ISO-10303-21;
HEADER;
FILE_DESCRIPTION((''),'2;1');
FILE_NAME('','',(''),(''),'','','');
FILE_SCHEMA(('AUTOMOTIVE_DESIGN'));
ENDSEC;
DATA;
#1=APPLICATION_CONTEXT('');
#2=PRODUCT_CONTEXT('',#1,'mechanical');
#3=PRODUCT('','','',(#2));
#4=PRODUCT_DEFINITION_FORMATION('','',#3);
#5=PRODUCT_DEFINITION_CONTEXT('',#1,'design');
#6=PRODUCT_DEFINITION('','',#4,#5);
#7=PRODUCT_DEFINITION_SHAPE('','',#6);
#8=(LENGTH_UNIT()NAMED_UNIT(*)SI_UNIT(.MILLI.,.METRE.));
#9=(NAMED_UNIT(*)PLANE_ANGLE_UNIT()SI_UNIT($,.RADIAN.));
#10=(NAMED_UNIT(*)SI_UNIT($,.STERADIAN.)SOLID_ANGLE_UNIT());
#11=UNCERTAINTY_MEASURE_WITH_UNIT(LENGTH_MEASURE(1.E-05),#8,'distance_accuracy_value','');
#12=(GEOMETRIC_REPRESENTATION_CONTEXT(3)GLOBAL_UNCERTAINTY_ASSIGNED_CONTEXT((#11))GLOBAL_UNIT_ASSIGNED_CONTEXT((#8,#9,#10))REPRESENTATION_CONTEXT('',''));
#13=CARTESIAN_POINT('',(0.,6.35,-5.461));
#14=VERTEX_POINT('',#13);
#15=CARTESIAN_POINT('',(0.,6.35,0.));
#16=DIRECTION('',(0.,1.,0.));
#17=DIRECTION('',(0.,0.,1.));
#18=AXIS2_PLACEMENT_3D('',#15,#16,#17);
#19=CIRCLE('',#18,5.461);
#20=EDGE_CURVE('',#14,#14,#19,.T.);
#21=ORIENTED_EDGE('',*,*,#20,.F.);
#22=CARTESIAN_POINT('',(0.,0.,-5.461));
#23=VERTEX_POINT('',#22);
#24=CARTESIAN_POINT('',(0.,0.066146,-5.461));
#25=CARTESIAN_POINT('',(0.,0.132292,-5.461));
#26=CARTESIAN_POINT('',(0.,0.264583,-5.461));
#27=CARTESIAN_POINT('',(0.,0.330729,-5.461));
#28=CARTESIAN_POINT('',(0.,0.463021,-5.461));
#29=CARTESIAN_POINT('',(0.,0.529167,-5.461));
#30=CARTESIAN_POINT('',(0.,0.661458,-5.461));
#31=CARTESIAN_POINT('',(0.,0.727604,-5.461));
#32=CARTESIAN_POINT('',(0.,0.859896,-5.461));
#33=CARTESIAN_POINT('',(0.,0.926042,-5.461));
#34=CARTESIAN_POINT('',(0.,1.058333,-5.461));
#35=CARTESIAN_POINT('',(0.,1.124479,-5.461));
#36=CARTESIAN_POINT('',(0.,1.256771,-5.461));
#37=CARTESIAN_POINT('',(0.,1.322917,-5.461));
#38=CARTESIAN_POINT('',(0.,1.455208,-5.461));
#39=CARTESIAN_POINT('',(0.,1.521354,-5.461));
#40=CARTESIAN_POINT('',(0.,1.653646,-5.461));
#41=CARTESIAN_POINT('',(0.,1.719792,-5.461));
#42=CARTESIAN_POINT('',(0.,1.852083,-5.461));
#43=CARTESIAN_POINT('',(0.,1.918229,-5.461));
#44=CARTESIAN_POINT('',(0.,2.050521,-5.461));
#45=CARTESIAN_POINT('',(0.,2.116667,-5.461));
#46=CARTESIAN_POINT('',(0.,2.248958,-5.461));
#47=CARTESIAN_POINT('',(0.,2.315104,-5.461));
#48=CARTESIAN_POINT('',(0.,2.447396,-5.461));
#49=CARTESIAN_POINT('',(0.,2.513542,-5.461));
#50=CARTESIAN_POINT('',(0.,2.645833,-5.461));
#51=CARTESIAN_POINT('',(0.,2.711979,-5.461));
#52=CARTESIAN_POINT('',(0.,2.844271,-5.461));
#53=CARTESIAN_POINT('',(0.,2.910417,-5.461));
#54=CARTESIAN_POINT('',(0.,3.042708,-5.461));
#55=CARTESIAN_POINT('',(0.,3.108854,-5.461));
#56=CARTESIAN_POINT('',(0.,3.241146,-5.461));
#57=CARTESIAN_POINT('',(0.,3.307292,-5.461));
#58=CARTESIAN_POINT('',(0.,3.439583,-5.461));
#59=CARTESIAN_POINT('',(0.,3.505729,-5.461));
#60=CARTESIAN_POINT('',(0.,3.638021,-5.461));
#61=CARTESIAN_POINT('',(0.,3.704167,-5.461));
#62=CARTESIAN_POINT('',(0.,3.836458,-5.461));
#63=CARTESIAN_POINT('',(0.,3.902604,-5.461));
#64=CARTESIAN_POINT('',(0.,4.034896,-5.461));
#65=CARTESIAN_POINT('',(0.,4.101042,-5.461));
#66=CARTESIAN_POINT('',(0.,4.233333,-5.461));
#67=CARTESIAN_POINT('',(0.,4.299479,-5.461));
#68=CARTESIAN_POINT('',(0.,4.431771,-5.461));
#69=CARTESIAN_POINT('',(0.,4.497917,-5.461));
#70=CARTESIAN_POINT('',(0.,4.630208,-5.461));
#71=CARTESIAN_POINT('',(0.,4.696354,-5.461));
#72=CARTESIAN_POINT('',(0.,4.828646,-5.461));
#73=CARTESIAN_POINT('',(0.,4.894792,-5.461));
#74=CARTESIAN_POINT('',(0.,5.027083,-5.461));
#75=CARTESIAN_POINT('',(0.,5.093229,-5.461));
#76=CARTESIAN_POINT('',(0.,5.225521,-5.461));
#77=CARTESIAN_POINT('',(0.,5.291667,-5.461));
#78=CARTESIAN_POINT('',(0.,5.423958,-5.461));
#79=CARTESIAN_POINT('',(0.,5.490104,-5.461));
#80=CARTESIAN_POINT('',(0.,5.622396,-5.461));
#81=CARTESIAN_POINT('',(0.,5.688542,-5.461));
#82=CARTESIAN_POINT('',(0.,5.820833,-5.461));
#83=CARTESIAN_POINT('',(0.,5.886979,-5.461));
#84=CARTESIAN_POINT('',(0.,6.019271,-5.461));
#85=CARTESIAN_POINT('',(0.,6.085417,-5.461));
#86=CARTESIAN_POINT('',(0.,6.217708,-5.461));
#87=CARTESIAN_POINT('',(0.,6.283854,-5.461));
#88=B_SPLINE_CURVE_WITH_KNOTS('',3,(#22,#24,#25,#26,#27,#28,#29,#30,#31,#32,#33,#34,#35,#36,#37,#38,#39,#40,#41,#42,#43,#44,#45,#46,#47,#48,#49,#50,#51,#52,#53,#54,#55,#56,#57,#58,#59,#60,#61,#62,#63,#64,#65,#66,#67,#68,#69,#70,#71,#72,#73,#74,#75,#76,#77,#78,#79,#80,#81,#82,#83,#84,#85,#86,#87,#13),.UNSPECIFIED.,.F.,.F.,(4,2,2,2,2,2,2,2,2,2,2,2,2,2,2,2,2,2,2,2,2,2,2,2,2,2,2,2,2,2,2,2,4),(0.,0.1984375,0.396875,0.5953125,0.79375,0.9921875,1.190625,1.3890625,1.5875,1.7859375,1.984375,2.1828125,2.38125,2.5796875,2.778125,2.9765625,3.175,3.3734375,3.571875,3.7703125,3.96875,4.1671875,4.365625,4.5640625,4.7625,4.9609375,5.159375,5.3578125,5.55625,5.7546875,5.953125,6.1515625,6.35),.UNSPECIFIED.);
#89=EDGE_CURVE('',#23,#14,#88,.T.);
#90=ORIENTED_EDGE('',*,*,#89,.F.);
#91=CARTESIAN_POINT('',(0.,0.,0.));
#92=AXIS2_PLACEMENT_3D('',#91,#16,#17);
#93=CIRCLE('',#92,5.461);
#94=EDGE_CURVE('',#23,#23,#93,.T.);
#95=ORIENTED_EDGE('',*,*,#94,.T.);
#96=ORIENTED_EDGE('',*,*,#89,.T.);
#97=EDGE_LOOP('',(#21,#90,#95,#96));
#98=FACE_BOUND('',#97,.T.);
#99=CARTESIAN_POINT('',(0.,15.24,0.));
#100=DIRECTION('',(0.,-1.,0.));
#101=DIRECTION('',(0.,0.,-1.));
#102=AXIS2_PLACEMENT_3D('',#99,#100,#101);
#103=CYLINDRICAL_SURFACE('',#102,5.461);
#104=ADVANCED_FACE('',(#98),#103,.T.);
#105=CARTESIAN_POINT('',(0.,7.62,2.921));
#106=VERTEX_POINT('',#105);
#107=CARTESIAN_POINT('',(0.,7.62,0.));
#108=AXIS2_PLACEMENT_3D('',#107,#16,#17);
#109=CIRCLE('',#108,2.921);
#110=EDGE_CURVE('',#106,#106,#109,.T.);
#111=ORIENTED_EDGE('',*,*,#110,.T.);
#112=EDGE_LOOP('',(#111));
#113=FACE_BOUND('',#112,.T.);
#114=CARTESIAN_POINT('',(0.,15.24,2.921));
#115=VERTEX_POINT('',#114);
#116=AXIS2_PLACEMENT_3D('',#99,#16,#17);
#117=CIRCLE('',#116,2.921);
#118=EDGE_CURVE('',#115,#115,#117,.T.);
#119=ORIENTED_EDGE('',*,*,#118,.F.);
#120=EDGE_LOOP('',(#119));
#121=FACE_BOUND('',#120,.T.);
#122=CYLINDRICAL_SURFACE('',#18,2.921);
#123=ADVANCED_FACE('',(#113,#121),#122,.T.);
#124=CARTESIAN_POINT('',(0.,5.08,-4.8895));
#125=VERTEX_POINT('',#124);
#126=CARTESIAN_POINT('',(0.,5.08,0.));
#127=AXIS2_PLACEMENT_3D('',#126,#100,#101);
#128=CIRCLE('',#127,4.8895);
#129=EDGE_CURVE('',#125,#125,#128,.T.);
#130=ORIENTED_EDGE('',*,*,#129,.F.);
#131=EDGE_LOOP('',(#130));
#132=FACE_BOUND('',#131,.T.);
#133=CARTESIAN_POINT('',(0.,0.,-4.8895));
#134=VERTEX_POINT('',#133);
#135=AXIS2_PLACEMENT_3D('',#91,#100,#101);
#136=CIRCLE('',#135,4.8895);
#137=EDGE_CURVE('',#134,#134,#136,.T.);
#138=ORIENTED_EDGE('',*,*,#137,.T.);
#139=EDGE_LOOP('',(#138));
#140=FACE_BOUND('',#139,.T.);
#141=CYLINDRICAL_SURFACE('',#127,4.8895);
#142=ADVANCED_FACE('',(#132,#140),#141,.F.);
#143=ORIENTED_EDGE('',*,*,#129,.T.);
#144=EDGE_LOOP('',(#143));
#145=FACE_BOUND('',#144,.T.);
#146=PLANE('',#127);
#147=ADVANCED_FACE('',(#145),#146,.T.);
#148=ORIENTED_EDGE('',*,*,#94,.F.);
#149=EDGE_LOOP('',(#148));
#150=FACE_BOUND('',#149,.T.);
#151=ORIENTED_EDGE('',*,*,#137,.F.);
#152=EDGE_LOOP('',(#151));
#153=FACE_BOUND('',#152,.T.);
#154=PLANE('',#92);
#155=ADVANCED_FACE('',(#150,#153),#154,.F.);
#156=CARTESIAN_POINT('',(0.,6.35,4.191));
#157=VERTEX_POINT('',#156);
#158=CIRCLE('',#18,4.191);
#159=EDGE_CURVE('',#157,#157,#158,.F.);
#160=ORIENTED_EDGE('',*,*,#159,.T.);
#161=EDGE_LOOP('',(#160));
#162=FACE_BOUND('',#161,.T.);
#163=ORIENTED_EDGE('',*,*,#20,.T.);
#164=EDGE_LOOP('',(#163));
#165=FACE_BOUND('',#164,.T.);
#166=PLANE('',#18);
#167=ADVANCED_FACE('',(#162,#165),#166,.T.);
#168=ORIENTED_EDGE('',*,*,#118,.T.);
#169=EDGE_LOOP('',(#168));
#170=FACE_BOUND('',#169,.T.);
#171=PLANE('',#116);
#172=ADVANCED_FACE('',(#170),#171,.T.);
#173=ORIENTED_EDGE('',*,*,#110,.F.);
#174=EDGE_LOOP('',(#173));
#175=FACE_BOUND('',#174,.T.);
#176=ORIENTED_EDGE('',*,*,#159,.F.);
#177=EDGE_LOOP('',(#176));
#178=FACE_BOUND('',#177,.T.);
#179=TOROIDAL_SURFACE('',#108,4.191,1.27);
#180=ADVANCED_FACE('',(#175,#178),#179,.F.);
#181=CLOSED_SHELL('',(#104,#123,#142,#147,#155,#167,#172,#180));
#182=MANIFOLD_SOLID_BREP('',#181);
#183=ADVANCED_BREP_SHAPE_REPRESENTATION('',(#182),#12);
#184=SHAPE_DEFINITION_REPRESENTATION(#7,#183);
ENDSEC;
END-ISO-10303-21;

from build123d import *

# Parameters (mm, degrees)
SKETCH6_R           = 5.461
BOSS_EXTRUDE4_DEPTH = 15.24
SKETCH7_OUTSIDE_W   = 17.262
SKETCH7_OUTSIDE_H   = 17.262
SKETCH7_OUTSIDE_R   = 2.921
CUT_EXTRUDE2_DEPTH  = 8.89
SKETCH8_R           = 4.8895
CUT_EXTRUDE3_DEPTH  = 5.08
FILLET2_R           = 1.27


with BuildPart() as part:
    # Sketch6 → Boss-Extrude4 (new body)
    with BuildSketch(Plane(origin=(0, 0, 0), x_dir=(1, 0, 0), z_dir=(0, 1, 0))):
        with Locations(Location((0, 0, 0), (0, 0, 90))):
            Circle(SKETCH6_R)
    extrude(amount=BOSS_EXTRUDE4_DEPTH)

    # Sketch7 outside → Cut-Extrude2 (cut)
    with BuildSketch(Plane(origin=(0, 15.24, 0), x_dir=(1, 0, 0), z_dir=(0, 1, 0))):
        Rectangle(SKETCH7_OUTSIDE_W, SKETCH7_OUTSIDE_H)
        with Locations(Location((0, 0, 0), (0, 0, 270))):
            Circle(SKETCH7_OUTSIDE_R, mode=Mode.SUBTRACT)
    extrude(amount=-CUT_EXTRUDE2_DEPTH, mode=Mode.SUBTRACT)

    # Sketch8 → Cut-Extrude3 (cut)
    with BuildSketch(Plane.XZ):
        with Locations(Location((0, 0, 0), (0, 0, 270))):
            Circle(SKETCH8_R)
    extrude(amount=-CUT_EXTRUDE3_DEPTH, mode=Mode.SUBTRACT)

    # Fillet2
    fillet2_edges = [part.edges().sort_by_distance(p)[0] for p in [
        (0, 6.35, -2.921),
    ]]
    fillet(fillet2_edges, radius=FILLET2_R)


solid = part.part
